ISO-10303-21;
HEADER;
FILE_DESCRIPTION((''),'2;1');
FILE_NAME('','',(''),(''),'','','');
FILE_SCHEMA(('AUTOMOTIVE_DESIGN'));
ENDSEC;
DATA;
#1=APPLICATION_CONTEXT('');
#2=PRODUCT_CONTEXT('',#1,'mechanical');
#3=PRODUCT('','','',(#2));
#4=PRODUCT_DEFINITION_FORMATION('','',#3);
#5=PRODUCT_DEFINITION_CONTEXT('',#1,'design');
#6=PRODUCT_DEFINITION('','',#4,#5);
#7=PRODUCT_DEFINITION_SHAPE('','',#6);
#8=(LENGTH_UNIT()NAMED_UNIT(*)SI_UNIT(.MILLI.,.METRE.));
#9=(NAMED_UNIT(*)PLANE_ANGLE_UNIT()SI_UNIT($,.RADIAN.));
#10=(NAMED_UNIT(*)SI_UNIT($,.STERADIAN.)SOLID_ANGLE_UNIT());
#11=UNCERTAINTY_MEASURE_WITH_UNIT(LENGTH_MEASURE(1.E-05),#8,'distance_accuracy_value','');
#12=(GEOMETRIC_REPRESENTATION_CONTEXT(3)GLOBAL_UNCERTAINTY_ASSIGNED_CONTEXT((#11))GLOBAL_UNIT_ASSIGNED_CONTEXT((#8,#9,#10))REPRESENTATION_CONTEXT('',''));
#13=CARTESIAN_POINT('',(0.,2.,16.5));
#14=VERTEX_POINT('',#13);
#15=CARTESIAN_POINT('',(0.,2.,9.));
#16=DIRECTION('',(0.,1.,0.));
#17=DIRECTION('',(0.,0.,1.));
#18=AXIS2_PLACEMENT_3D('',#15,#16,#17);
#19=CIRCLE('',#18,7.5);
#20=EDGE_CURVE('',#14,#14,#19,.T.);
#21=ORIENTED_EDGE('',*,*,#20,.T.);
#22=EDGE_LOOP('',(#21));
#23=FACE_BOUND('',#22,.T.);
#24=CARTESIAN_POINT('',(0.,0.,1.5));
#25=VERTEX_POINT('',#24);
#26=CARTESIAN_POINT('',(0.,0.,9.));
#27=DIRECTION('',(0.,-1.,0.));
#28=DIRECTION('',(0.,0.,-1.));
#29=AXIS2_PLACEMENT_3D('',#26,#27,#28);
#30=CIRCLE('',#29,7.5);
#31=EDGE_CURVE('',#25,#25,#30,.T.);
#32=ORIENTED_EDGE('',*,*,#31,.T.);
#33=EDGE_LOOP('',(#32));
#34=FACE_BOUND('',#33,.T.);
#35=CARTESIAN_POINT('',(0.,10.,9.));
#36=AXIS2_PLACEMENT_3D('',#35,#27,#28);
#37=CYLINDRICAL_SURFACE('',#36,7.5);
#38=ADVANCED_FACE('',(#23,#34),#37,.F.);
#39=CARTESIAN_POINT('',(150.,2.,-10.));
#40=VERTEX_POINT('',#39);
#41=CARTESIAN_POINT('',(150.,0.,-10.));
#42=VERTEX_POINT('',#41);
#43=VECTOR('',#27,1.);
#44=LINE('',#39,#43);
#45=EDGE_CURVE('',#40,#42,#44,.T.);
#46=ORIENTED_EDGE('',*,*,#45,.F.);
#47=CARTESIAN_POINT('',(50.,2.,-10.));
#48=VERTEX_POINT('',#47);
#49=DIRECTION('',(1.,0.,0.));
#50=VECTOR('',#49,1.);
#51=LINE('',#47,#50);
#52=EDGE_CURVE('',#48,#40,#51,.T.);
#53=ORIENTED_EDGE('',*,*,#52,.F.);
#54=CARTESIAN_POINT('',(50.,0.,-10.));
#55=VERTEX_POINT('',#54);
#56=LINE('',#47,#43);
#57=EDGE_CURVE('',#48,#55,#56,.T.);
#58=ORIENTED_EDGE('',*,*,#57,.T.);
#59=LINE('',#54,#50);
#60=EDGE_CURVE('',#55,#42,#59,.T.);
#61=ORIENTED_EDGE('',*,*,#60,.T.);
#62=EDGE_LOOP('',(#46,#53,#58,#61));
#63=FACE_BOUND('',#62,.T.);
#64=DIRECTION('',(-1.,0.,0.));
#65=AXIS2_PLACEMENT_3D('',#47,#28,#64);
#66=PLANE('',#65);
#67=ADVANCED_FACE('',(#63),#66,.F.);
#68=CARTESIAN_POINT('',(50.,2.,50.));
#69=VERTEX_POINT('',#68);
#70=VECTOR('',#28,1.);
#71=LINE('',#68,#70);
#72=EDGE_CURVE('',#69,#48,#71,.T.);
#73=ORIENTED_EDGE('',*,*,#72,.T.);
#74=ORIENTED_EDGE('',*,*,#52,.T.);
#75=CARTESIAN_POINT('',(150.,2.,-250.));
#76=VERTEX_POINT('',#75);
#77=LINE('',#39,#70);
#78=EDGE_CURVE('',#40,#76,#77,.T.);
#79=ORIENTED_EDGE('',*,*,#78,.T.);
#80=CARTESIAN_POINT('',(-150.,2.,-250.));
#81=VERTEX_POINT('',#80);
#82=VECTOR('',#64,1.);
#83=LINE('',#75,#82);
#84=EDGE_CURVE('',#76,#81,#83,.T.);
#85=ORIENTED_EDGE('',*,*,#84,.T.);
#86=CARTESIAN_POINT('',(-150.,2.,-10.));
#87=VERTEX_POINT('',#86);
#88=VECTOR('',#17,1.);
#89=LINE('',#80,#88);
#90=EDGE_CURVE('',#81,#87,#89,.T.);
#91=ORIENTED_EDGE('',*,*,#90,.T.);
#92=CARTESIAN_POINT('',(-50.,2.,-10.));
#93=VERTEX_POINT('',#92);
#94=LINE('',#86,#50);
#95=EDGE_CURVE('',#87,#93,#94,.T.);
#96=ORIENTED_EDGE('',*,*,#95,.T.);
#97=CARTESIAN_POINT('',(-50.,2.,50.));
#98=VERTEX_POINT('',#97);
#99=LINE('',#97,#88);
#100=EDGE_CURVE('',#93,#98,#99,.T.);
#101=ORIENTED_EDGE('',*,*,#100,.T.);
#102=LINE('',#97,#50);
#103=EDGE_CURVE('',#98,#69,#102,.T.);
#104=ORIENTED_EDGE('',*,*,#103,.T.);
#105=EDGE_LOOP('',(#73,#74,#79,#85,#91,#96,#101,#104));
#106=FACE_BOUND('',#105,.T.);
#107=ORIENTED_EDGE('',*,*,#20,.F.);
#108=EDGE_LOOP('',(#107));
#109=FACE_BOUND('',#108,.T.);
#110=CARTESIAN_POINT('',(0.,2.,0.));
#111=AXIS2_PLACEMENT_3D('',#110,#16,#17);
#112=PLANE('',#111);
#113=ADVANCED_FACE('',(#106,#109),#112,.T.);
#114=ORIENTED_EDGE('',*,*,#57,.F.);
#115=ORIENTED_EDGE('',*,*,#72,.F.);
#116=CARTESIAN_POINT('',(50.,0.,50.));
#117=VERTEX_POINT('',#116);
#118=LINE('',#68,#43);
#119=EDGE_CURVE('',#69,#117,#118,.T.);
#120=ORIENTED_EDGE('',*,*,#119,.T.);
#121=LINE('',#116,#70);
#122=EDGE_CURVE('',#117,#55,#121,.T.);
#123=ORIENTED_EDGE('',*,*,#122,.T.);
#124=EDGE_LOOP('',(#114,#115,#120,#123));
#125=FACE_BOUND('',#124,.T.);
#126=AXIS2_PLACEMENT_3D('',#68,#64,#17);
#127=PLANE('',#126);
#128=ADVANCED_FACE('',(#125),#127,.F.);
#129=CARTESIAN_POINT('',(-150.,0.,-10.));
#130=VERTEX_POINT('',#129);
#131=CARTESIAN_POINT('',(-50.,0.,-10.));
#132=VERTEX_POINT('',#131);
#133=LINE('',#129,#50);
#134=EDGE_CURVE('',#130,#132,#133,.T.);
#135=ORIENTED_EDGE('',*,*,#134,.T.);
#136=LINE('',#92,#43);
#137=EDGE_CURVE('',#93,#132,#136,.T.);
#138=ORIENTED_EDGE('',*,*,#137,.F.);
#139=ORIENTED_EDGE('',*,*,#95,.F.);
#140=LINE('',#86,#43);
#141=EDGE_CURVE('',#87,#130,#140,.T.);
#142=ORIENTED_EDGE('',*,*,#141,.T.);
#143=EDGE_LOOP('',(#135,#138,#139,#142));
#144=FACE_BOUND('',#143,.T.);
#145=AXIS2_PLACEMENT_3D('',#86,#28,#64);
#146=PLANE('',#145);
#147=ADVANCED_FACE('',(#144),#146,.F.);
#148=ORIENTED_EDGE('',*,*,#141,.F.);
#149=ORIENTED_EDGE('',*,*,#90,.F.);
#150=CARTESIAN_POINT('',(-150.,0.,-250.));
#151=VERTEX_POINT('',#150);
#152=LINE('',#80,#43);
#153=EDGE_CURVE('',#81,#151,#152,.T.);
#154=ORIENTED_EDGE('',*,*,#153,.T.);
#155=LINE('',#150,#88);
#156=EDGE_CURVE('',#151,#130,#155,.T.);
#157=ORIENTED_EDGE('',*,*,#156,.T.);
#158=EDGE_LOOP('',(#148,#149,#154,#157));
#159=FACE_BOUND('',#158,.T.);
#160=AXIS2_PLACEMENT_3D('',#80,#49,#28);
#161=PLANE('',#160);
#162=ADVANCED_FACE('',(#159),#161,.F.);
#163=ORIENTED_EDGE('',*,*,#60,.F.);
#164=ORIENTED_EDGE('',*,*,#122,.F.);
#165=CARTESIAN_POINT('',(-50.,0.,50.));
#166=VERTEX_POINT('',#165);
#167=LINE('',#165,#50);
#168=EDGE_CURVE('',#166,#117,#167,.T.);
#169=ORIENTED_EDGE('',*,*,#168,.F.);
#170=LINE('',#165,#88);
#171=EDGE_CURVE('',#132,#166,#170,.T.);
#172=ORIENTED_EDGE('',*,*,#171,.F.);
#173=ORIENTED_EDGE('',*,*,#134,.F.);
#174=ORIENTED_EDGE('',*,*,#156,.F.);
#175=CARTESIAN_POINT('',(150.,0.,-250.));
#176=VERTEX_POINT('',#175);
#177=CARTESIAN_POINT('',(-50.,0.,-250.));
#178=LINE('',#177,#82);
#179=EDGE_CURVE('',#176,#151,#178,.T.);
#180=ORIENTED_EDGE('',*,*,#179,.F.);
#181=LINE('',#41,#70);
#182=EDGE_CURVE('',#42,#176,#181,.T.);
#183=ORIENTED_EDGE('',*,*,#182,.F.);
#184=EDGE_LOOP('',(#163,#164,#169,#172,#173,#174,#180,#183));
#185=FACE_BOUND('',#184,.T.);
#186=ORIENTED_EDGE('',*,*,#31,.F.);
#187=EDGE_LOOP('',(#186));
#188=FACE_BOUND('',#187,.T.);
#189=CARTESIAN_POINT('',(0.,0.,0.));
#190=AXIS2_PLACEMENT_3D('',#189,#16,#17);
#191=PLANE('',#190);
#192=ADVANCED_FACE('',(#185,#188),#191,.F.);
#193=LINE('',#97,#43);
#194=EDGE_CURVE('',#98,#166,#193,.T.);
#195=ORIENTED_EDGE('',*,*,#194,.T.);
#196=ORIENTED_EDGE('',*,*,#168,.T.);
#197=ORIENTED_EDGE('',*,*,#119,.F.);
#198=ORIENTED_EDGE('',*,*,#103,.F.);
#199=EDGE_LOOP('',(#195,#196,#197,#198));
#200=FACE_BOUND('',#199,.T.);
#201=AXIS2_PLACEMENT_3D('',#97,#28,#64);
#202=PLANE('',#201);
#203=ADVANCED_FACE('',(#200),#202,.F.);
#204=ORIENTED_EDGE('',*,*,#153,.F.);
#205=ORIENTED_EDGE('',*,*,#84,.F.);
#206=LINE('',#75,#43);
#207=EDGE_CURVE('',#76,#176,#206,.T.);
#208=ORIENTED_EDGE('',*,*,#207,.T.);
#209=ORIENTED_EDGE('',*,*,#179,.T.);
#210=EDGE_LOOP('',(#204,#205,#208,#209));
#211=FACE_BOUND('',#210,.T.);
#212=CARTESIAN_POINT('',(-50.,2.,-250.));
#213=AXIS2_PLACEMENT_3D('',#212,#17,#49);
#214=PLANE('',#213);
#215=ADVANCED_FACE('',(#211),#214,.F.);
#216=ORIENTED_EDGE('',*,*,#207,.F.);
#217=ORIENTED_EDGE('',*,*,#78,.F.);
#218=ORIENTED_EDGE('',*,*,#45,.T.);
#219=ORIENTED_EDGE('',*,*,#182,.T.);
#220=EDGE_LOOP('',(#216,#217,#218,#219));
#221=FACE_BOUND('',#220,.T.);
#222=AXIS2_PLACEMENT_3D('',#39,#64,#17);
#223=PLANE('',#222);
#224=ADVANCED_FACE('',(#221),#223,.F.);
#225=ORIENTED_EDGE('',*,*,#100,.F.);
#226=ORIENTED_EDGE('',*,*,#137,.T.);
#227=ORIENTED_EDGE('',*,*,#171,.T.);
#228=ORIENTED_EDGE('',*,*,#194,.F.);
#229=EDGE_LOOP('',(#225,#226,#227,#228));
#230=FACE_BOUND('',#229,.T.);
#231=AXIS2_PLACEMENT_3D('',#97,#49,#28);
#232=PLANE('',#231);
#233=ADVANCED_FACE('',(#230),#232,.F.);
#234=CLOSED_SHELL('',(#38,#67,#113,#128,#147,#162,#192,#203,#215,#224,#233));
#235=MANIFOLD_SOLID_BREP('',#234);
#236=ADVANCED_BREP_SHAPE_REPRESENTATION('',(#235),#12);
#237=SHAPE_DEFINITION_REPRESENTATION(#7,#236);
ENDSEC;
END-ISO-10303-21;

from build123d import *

# Parameters (mm, degrees)
BOSS_EXTRUDE1_DEPTH = 2
SKETCH2_R           = 7.5
CUT_EXTRUDE1_DEPTH  = 10


with BuildPart() as part:
    # Sketch1 → Boss-Extrude1 (new body)
    with BuildSketch(Plane(origin=(0, 0, 0), x_dir=(1, 0, 0), z_dir=(0, 1, 0))):
        Polygon((-50, 250), (-150, 250), (-150, 10), (-50, 10), (-50, -50), (50, -50), (50, 10), (150, 10), (150, 250), (50, 250), align=None)
    extrude(amount=BOSS_EXTRUDE1_DEPTH)

    # Sketch2 → Cut-Extrude1 (cut)
    with BuildSketch(Plane(origin=(0, 0, 0), x_dir=(-1, 0, 0), z_dir=(0, -1, 0))):
        with Locations((0, -9)):
            Circle(SKETCH2_R)
    extrude(amount=-CUT_EXTRUDE1_DEPTH, mode=Mode.SUBTRACT)


solid = part.part
